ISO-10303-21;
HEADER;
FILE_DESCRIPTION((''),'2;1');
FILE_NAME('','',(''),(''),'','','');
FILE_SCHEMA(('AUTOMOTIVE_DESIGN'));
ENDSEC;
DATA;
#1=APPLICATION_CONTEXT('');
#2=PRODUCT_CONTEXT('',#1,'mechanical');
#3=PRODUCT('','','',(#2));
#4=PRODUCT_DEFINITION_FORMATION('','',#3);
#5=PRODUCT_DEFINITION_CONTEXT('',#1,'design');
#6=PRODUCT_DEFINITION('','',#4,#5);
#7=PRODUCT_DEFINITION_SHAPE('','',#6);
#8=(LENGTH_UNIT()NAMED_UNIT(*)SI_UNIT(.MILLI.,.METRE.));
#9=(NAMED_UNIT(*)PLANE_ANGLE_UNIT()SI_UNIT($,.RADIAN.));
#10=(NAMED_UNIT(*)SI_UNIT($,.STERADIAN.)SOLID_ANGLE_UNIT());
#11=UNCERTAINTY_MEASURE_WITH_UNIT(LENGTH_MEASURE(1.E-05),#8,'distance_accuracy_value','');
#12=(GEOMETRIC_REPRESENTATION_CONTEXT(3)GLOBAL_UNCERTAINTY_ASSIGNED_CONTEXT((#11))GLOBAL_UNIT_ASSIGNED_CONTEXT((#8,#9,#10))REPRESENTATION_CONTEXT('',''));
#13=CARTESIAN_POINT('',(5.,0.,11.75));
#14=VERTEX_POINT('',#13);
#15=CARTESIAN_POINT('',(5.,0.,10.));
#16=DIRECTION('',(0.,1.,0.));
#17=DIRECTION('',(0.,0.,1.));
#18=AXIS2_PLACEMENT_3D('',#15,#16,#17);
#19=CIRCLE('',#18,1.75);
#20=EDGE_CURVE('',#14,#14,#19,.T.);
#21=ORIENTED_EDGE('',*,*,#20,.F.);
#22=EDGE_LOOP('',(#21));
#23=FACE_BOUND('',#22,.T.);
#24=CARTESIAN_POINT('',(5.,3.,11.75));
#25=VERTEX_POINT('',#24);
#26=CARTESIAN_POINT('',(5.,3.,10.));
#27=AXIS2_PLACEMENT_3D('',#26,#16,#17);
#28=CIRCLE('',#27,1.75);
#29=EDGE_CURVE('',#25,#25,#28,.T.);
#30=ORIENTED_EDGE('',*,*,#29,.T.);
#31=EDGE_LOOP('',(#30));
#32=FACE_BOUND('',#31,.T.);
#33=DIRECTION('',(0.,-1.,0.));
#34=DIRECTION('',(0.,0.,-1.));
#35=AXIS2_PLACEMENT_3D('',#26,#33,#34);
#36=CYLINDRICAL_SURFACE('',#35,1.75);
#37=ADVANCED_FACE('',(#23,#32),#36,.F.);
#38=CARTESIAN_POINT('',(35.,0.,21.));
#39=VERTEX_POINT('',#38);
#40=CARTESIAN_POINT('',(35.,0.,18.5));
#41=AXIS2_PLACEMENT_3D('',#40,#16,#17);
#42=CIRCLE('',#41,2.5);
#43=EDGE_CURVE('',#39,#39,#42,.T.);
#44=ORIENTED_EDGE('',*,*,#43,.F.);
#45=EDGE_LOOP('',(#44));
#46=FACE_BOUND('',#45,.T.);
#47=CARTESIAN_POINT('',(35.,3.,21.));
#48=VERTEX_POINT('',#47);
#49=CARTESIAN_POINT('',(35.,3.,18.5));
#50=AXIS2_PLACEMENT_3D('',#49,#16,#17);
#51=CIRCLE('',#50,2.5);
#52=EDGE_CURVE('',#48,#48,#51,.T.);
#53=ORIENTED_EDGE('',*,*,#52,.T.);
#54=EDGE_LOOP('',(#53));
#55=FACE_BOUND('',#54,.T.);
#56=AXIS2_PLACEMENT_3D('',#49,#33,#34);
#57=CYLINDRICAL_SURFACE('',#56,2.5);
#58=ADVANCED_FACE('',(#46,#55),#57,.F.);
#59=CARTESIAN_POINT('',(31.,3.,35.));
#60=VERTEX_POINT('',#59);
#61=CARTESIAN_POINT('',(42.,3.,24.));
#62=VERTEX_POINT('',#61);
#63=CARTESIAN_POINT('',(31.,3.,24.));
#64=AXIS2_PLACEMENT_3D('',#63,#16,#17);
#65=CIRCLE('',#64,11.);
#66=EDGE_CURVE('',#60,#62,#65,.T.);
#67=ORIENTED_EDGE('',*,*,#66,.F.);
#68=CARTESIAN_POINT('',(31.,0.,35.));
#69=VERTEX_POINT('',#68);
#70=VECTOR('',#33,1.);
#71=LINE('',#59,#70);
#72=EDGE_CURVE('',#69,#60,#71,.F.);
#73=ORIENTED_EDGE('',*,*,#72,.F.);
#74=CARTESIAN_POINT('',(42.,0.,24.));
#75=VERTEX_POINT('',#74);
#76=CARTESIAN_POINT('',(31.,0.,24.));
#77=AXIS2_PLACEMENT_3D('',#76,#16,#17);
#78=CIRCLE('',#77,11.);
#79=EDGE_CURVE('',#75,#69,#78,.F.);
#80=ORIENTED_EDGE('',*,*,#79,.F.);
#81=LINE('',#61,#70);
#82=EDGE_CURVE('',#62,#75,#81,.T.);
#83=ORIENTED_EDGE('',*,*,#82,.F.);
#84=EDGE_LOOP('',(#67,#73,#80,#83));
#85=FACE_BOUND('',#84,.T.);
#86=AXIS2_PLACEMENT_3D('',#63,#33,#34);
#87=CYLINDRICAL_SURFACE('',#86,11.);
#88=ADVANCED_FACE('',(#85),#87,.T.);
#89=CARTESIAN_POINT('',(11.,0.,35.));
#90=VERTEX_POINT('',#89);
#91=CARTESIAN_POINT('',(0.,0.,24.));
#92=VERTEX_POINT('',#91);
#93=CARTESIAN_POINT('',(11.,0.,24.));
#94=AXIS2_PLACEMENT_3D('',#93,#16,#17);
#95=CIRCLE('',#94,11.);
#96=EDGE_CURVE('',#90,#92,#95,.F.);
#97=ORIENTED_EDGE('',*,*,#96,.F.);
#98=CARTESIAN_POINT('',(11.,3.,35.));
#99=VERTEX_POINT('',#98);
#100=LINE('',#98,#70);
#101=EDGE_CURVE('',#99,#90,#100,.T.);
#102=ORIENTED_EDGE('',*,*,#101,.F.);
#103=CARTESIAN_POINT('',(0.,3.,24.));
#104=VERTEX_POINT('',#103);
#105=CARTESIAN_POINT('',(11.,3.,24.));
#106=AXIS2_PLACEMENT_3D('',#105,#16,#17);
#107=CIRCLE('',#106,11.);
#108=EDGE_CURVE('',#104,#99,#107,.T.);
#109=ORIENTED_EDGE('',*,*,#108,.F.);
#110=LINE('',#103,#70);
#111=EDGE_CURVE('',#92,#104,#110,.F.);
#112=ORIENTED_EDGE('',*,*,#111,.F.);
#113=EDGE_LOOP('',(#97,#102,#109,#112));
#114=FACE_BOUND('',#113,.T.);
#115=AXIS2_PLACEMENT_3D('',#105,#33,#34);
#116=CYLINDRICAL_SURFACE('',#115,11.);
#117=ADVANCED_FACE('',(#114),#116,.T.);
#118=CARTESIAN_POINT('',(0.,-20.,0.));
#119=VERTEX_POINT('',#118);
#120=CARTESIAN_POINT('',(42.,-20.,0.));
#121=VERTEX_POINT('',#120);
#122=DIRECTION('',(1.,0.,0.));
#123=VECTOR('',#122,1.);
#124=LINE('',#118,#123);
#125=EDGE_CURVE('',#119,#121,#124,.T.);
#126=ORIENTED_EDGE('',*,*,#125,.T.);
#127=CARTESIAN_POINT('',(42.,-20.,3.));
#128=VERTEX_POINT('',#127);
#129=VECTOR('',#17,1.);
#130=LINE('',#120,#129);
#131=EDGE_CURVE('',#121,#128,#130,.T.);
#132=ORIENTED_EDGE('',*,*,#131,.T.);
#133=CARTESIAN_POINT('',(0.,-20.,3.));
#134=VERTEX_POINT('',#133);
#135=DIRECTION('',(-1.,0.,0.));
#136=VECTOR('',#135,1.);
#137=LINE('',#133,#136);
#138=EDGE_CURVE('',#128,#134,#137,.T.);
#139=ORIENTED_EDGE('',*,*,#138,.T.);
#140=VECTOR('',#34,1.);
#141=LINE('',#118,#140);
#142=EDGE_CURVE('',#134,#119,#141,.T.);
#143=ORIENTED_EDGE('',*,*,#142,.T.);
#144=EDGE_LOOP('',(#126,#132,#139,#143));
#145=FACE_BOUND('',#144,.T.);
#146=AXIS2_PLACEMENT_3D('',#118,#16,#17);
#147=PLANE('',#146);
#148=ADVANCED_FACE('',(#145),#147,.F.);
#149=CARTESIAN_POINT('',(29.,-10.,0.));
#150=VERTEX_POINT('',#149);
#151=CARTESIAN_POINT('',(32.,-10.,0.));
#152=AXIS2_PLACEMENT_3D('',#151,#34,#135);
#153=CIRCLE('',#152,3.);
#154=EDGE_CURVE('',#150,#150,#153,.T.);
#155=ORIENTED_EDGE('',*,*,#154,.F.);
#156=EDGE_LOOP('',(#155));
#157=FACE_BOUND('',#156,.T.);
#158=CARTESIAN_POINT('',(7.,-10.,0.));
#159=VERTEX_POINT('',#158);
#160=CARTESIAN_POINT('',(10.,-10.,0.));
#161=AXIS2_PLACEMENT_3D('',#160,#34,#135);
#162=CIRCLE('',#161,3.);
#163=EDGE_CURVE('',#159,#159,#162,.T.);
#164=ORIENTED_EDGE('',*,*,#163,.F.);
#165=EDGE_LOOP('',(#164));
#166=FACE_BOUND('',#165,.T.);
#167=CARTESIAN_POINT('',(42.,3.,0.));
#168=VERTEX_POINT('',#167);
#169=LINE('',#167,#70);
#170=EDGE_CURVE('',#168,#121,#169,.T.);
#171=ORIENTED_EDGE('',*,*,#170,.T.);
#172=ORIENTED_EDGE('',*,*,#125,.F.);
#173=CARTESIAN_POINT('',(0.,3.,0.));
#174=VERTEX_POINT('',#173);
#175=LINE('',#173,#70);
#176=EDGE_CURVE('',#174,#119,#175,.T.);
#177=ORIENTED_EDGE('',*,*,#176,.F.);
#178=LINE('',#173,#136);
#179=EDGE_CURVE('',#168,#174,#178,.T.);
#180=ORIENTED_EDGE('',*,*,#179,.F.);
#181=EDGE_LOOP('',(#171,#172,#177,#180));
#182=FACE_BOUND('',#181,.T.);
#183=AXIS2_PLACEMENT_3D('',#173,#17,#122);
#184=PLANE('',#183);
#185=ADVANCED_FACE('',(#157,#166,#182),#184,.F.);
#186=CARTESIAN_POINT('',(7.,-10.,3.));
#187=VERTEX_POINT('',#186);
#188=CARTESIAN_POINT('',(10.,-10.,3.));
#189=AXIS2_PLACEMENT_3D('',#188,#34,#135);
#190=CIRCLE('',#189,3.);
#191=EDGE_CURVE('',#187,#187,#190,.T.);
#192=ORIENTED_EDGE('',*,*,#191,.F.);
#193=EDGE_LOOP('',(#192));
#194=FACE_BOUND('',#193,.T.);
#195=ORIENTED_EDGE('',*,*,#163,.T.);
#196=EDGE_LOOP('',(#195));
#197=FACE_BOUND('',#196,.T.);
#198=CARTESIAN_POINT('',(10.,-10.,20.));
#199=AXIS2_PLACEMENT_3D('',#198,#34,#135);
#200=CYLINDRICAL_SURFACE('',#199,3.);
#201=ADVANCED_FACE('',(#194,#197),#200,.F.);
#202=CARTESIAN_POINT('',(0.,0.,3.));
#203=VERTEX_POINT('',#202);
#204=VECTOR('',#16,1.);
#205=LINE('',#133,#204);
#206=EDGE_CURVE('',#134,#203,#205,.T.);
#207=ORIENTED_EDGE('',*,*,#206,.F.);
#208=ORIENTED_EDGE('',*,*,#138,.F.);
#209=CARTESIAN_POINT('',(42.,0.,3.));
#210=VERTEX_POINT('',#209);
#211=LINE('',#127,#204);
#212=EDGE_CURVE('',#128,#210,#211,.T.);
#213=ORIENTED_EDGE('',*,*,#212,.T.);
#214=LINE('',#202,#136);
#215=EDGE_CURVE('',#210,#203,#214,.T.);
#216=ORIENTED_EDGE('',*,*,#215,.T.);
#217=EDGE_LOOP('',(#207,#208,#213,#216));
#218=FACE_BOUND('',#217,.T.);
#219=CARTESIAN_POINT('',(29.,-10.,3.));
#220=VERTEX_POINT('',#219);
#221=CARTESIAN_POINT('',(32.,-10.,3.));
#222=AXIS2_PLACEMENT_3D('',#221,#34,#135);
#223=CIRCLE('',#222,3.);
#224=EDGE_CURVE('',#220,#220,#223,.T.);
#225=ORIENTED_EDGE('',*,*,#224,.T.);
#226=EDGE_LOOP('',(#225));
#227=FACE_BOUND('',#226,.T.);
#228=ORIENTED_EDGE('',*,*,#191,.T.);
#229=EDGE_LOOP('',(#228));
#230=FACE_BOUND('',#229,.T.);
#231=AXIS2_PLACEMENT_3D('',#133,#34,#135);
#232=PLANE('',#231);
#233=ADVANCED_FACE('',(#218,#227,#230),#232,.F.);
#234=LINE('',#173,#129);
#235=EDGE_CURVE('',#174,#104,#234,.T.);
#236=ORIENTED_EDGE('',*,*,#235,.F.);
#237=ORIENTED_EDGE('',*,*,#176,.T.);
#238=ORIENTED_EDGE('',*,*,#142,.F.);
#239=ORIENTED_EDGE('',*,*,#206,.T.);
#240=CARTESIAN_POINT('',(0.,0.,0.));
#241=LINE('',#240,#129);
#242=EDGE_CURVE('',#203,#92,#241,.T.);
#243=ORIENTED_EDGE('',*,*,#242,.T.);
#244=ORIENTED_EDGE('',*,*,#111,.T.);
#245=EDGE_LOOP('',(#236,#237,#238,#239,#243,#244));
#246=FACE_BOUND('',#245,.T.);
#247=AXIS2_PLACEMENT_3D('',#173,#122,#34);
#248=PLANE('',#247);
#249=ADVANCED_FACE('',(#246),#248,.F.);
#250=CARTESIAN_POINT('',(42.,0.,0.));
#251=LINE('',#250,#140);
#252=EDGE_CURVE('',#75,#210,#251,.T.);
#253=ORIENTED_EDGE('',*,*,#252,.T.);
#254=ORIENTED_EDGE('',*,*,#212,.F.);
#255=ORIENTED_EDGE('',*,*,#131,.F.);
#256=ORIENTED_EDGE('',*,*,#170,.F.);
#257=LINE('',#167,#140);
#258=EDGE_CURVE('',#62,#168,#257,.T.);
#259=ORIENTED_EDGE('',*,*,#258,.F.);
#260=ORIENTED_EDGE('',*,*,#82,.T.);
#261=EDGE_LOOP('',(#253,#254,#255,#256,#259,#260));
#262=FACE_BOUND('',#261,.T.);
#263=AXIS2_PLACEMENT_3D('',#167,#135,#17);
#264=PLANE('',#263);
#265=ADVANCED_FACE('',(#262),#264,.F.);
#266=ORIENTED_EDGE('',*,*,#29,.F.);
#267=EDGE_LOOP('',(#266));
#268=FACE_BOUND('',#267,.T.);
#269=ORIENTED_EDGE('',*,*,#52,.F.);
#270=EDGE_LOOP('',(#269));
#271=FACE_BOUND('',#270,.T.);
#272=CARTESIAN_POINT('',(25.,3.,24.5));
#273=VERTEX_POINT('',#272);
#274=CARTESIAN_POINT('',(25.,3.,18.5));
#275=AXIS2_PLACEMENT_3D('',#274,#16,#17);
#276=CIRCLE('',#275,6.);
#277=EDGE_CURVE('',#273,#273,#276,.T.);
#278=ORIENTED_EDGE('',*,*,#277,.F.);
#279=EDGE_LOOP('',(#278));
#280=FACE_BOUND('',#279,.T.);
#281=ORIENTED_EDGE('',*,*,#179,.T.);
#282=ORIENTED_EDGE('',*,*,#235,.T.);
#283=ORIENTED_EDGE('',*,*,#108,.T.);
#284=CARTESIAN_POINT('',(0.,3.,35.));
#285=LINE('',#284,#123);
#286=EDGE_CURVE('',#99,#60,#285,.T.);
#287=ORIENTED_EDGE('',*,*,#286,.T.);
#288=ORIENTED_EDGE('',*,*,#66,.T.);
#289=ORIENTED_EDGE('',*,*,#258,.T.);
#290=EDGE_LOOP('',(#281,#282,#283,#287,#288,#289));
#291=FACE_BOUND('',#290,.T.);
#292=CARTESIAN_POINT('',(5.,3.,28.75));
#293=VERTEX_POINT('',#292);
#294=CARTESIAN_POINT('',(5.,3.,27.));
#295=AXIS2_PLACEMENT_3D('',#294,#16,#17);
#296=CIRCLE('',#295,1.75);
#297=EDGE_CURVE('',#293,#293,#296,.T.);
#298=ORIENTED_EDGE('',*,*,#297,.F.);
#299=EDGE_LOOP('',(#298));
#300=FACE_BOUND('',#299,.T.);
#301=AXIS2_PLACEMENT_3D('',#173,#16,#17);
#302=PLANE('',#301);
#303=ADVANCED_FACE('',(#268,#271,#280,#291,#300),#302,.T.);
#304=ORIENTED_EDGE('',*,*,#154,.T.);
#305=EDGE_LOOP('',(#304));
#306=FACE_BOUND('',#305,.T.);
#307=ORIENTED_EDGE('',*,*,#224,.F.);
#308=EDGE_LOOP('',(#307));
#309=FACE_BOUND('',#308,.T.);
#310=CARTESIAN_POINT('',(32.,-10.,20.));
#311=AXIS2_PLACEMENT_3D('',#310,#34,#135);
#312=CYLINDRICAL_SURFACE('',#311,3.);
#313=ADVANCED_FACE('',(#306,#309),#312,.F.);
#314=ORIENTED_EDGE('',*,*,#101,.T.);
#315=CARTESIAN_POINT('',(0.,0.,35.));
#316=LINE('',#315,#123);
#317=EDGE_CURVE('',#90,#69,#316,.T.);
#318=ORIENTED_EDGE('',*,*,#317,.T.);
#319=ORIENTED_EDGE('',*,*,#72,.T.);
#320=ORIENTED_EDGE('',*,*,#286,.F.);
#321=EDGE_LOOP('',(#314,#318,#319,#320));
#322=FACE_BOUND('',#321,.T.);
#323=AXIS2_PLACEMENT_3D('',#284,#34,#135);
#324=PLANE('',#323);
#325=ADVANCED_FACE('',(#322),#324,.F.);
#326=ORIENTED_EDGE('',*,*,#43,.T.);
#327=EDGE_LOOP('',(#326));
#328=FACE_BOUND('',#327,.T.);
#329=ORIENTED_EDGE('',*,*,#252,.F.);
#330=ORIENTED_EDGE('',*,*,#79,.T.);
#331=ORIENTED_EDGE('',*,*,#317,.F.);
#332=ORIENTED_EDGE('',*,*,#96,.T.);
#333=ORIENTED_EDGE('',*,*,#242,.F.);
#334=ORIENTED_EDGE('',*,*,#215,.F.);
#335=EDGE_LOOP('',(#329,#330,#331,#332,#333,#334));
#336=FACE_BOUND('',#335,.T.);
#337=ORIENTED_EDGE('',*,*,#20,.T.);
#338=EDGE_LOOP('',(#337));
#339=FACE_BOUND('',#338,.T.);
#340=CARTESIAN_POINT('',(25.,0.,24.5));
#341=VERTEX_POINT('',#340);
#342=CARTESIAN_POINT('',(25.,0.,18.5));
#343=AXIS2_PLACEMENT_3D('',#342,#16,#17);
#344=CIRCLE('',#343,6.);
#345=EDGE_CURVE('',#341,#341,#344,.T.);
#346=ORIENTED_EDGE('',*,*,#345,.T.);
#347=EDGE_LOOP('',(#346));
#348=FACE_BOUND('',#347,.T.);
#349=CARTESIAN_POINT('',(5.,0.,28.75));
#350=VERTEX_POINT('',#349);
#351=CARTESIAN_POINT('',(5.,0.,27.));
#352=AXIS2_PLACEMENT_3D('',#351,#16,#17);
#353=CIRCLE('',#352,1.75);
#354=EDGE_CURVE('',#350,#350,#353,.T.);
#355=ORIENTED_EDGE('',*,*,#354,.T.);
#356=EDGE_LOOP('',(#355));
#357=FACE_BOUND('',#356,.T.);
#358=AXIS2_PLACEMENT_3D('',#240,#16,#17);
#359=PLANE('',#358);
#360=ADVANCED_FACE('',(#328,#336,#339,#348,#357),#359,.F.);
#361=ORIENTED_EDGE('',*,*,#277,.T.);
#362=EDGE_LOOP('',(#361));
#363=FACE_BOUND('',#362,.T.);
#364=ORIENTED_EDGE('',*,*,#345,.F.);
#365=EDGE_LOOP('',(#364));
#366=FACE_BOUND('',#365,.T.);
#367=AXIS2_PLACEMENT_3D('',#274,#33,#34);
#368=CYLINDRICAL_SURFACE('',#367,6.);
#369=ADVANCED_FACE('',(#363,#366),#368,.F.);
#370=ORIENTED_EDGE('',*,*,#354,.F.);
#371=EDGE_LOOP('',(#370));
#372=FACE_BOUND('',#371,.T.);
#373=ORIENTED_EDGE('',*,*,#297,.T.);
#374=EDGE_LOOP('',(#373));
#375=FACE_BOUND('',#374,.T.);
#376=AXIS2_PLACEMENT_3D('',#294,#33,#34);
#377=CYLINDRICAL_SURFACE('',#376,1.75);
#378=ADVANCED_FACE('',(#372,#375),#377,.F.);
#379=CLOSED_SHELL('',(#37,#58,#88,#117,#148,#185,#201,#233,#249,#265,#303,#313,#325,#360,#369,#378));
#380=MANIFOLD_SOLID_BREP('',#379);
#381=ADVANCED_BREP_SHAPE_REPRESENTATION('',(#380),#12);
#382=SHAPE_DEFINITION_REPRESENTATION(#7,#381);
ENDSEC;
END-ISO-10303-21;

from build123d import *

# Parameters (mm, degrees)
SKETCH1_W           = 42
SKETCH1_H           = 35
SKETCH1_R           = 1.75
SKETCH1_R_2         = 6
SKETCH1_R_3         = 2.5
BOSS_EXTRUDE1_DEPTH = 3
SKETCH2_W           = 42
SKETCH2_H           = 3
BOSS_EXTRUDE2_DEPTH = 20
SKETCH3_R           = 3
CUT_EXTRUDE1_DEPTH  = 20
FILLET1_R           = 11


with BuildPart() as part:
    # Sketch1 → Boss-Extrude1 (new body)
    with BuildSketch(Plane(origin=(0, 0, 0), x_dir=(1, 0, 0), z_dir=(0, 1, 0))):
        with Locations((21, -17.5)):
            Rectangle(SKETCH1_W, SKETCH1_H)
        with Locations(Location((5, -10, 0), (0, 0, 270))):
            Circle(SKETCH1_R, mode=Mode.SUBTRACT)
        with Locations(Location((5, -27, 0), (0, 0, 270))):
            Circle(SKETCH1_R, mode=Mode.SUBTRACT)
        with Locations(Location((25, -18.5, 0), (0, 0, 270))):
            Circle(SKETCH1_R_2, mode=Mode.SUBTRACT)
        with Locations(Location((35, -18.5, 0), (0, 0, 270))):
            Circle(SKETCH1_R_3, mode=Mode.SUBTRACT)
    extrude(amount=BOSS_EXTRUDE1_DEPTH)

    # Sketch2 → Boss-Extrude2 (add)
    with BuildSketch(Plane.XZ):
        with Locations((21, 1.5)):
            Rectangle(SKETCH2_W, SKETCH2_H)
    extrude(amount=BOSS_EXTRUDE2_DEPTH)

    # Sketch3 → Cut-Extrude1 (cut)
    with BuildSketch(Plane(origin=(0, 0, 0), x_dir=(-1, 0, 0), z_dir=(0, 0, -1))):
        with Locations((-32, -10)):
            Circle(SKETCH3_R)
        with Locations((-10, -10)):
            Circle(SKETCH3_R)
    extrude(amount=-CUT_EXTRUDE1_DEPTH, mode=Mode.SUBTRACT)

    # Fillet1
    fillet1_edges = [part.edges().sort_by_distance(p)[0] for p in [
        (42, 1.5, 35),
        (0, 1.5, 35),
    ]]
    fillet(fillet1_edges, radius=FILLET1_R)


solid = part.part
